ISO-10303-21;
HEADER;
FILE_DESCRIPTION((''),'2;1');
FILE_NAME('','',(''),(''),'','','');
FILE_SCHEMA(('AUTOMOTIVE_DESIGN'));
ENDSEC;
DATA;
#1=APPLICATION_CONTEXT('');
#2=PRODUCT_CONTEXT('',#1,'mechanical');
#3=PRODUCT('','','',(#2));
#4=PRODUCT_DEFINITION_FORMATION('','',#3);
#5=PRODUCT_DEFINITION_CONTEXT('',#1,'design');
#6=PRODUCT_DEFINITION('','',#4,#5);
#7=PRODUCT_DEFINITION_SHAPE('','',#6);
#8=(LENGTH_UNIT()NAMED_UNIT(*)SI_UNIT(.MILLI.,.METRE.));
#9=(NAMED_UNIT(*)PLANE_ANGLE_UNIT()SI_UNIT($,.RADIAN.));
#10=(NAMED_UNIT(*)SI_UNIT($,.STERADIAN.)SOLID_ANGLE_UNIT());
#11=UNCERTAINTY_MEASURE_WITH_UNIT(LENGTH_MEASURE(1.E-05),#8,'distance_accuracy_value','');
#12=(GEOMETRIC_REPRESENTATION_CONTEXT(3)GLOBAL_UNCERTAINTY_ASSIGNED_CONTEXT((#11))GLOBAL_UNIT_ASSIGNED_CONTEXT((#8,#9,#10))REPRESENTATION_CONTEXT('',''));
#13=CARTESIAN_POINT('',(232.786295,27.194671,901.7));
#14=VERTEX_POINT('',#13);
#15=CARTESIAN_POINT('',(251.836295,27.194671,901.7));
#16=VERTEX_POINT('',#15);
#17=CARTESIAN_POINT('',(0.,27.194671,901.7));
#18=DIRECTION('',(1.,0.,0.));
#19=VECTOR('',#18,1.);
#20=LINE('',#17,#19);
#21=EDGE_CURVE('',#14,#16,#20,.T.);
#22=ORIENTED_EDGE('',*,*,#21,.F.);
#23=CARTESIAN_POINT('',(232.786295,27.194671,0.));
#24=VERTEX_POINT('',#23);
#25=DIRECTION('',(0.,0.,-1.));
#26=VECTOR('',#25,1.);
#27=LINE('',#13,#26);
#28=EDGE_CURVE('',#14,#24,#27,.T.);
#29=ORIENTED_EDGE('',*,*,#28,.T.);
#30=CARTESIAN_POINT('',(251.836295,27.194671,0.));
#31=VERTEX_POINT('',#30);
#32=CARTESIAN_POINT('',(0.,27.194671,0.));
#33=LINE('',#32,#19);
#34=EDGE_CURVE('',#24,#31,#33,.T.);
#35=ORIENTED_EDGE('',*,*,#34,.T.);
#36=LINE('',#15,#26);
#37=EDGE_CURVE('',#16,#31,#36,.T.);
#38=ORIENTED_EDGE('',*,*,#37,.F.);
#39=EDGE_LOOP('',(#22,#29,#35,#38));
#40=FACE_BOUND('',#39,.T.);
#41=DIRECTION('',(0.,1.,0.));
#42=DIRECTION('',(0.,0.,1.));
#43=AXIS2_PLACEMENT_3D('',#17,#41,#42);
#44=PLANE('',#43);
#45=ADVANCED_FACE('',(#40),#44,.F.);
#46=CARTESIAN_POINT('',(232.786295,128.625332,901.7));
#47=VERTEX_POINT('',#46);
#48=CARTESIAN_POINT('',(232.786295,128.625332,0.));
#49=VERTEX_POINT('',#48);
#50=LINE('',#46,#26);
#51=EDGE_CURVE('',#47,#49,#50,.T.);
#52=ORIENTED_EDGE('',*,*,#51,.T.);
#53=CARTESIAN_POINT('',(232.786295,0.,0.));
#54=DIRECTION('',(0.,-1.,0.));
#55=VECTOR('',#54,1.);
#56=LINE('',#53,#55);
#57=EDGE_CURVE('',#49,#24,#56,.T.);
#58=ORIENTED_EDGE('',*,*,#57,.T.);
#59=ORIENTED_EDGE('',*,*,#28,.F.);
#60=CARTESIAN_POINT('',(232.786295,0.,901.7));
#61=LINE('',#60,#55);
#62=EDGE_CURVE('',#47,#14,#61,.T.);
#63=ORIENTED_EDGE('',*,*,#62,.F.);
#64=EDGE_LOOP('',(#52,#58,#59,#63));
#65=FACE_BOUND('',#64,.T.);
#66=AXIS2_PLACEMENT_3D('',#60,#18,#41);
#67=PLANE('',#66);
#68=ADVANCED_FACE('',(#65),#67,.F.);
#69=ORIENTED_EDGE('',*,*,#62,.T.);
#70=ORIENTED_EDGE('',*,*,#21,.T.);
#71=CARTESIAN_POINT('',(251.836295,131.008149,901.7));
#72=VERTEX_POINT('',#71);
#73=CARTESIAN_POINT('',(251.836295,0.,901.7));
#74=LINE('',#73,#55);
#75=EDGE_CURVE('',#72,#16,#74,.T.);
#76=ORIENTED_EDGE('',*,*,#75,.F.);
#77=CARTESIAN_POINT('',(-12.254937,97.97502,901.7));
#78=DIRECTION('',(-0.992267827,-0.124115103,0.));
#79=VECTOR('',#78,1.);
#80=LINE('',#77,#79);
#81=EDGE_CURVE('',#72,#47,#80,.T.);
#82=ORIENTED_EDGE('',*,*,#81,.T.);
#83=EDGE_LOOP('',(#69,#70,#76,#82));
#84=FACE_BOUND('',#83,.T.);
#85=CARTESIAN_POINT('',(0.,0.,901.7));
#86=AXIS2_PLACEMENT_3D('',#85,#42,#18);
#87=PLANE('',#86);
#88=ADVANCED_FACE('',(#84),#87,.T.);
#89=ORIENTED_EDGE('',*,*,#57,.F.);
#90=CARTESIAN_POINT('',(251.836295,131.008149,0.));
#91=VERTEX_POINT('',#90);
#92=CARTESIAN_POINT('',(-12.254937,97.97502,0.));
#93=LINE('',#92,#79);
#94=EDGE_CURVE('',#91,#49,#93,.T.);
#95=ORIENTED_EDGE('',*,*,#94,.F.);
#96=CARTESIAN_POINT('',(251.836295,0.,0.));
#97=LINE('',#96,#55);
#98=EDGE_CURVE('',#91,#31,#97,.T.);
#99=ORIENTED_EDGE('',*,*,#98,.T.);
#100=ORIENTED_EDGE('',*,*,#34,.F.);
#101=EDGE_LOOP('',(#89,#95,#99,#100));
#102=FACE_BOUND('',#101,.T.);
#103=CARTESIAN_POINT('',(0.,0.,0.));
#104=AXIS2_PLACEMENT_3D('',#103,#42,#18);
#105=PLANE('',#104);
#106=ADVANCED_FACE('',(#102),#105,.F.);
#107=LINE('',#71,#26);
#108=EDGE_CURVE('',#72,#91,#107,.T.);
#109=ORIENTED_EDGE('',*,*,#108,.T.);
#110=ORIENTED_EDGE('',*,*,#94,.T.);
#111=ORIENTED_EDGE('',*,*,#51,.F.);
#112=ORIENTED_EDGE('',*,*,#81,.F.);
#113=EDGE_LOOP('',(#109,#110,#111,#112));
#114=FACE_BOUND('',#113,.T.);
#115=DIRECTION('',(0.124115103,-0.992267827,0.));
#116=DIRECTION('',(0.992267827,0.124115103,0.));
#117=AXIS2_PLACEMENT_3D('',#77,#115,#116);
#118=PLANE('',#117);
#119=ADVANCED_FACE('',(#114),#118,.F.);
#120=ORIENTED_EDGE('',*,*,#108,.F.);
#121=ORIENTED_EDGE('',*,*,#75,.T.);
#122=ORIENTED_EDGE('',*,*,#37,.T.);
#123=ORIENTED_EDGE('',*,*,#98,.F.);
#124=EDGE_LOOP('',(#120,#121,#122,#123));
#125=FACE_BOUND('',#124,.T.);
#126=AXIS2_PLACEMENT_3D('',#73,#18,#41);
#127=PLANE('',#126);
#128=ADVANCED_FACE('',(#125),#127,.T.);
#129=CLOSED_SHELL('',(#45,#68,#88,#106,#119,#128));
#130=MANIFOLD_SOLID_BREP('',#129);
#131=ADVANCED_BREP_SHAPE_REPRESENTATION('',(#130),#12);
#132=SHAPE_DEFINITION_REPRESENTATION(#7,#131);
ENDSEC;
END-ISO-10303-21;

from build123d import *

# Parameters (mm, degrees)
BOSS_EXTRUDE1_DEPTH = 901.7


with BuildPart() as part:
    # Sketch1 → Boss-Extrude1 (new body)
    with BuildSketch(Plane.XY):
        Polygon((232.786295427, 128.625331568), (232.786295427, 27.19467147), (251.836295427, 27.19467147), (251.836295427, 131.008148634), align=None)
    extrude(amount=BOSS_EXTRUDE1_DEPTH)


solid = part.part
